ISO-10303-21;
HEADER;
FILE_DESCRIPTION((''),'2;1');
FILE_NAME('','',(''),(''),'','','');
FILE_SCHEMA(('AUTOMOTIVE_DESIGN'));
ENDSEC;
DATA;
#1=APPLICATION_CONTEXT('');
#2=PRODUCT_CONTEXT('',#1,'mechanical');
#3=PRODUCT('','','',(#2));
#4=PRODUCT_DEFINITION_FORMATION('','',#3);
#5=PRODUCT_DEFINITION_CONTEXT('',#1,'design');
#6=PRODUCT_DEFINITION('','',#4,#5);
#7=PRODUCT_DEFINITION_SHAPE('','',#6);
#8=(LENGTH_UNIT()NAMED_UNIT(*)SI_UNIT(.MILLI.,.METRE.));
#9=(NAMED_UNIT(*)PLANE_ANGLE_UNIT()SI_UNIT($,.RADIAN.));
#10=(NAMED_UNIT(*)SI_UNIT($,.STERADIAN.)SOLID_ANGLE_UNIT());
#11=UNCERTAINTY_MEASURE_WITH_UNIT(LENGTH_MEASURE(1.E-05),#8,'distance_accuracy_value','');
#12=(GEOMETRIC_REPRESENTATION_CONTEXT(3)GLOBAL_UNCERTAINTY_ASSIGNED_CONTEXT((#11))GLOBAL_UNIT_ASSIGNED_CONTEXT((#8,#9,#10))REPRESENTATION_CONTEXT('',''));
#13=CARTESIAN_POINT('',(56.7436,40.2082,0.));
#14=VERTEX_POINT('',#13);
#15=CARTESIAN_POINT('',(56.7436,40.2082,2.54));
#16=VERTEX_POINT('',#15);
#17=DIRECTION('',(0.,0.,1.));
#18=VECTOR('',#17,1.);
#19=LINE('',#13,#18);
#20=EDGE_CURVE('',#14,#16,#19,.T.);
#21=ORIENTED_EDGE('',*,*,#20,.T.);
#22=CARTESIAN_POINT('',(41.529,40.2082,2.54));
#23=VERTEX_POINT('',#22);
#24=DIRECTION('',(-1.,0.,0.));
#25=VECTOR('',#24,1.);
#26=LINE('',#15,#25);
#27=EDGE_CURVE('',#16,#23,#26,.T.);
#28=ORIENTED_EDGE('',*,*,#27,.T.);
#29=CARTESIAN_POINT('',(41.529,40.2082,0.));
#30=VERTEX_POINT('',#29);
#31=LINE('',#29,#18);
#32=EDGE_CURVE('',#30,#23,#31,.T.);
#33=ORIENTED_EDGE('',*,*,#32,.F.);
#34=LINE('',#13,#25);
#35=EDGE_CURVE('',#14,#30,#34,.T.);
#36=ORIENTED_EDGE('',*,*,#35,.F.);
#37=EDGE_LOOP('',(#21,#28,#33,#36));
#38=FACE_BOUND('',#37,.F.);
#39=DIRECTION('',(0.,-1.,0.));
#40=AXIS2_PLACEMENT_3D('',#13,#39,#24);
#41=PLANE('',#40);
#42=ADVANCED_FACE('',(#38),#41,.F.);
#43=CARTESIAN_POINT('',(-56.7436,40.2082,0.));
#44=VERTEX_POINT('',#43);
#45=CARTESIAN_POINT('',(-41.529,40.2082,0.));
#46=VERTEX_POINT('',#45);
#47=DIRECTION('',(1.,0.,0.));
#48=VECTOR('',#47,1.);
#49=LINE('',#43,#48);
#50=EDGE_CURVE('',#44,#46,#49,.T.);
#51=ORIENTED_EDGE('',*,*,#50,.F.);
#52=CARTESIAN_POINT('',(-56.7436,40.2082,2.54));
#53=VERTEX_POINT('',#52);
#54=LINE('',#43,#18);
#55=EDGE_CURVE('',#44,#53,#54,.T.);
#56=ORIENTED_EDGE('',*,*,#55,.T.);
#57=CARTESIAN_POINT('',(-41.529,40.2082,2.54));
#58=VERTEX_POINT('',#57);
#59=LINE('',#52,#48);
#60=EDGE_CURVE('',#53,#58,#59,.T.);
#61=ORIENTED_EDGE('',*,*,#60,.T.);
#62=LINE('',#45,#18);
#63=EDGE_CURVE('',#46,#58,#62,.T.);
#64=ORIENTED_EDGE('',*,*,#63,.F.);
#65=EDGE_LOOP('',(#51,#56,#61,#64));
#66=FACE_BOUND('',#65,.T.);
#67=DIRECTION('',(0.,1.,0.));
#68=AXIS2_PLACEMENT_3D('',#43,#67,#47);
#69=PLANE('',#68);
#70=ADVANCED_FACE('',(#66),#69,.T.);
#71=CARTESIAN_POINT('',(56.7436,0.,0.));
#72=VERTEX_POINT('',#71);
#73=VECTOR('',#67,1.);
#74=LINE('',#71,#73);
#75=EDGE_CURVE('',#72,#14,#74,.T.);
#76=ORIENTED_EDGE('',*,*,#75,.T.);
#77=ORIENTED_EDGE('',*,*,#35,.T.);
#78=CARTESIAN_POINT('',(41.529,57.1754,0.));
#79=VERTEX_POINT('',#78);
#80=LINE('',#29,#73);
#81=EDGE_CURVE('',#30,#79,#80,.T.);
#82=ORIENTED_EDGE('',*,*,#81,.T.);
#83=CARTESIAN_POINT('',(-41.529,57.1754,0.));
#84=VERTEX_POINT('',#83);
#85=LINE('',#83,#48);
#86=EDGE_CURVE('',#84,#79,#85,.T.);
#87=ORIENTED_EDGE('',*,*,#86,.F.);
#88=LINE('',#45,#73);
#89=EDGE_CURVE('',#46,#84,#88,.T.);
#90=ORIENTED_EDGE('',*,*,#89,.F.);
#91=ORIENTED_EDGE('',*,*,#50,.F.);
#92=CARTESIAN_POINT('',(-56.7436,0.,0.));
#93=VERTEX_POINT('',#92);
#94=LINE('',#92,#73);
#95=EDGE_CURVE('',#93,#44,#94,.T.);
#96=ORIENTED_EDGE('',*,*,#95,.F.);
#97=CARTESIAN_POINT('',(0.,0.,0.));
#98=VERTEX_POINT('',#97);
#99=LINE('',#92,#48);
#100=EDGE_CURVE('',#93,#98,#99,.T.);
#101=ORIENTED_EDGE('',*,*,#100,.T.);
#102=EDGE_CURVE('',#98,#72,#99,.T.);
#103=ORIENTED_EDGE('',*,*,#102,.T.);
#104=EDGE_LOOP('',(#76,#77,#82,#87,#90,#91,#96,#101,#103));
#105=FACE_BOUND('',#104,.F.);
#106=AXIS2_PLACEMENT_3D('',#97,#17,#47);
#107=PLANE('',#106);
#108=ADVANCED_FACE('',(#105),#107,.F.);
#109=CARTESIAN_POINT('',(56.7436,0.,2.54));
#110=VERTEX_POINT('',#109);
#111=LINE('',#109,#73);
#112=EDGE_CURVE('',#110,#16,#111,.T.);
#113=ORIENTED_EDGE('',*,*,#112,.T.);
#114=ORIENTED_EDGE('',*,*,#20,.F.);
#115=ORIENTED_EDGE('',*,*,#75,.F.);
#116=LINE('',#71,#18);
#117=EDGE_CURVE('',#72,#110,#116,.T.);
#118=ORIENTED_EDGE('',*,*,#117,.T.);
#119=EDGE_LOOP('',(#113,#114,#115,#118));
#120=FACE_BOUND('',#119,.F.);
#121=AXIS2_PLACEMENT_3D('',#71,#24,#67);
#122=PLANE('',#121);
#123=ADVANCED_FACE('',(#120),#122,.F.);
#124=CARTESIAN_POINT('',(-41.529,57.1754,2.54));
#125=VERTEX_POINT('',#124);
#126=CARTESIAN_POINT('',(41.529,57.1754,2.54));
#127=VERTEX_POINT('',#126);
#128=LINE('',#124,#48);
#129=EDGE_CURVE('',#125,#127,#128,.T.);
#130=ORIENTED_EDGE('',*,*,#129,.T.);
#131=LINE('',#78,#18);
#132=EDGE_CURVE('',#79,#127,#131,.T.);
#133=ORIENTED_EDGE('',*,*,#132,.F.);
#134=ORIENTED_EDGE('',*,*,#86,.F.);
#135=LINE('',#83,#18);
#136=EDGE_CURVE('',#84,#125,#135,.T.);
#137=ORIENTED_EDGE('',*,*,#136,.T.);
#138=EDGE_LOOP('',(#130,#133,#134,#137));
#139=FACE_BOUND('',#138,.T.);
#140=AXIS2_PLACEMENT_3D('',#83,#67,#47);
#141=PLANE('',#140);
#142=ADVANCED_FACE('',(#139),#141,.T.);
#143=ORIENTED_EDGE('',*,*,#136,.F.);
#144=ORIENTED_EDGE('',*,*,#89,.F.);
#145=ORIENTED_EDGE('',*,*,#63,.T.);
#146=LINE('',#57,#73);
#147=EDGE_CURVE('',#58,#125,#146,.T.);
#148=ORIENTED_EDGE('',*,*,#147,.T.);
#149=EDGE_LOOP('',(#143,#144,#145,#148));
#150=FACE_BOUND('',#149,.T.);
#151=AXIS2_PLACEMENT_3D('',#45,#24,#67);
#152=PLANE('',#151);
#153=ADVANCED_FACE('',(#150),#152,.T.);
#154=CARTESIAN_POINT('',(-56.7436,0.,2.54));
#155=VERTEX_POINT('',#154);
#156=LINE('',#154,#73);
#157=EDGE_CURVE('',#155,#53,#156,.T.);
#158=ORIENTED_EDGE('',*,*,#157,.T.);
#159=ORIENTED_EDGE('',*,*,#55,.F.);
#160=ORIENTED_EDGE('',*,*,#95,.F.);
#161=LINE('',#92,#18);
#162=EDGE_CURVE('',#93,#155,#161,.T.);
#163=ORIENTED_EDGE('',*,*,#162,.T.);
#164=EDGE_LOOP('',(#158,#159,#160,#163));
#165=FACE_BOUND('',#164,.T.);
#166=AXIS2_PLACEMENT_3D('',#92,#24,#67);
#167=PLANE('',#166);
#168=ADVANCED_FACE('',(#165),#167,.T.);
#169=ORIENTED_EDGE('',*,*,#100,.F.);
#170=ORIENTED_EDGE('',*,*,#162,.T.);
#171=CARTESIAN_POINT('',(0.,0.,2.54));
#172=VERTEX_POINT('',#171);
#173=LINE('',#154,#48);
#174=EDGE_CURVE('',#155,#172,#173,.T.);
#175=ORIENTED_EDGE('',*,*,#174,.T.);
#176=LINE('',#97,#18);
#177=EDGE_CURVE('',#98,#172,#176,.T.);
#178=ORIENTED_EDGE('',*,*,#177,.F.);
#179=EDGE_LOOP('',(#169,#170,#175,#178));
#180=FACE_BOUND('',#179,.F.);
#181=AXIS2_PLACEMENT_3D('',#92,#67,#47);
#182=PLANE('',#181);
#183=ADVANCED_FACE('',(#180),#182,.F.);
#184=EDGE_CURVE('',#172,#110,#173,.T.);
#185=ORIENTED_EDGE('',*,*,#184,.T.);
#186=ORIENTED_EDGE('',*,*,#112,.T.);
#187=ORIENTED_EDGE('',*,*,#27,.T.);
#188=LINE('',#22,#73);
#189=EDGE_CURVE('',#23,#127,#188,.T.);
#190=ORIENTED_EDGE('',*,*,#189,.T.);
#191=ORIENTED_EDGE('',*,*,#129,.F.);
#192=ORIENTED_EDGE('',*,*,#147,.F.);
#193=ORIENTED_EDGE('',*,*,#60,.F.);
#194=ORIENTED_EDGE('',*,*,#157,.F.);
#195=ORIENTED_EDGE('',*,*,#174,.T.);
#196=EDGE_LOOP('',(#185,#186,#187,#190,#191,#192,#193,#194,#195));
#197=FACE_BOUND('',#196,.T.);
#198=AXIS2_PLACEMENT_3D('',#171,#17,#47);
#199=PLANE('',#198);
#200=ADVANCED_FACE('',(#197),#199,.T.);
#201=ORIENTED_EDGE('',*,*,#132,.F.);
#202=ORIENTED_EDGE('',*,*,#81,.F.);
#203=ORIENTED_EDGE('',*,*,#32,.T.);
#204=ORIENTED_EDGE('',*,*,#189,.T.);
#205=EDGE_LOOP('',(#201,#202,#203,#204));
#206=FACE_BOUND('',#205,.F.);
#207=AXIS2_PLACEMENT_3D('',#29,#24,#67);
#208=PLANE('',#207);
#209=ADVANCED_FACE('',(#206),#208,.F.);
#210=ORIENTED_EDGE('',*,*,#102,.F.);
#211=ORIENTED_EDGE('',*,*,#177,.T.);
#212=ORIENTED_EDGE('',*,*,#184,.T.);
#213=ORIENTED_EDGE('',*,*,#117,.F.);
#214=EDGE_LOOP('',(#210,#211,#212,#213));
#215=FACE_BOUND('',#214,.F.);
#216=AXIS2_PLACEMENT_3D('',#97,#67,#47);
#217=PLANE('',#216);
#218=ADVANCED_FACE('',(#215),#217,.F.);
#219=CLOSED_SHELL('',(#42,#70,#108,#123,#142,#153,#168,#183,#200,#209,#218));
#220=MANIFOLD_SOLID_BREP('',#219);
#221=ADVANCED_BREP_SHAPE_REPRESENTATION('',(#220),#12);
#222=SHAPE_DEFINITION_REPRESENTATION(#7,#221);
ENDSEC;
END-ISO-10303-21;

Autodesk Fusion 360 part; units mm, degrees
sketch "Sketch1" plane through (0, 0, 0) normal (0, 0, 1) x (1, 0, 0)
  line L0 (-56.7436, 0) -> (56.7436, 0)
  line L1 (-56.7436, 0) -> (-56.7436, 40.2082)
  line L2 (0, 5.08) -> (0, -5.08)
  line L3 (56.7436, 0) -> (56.7436, 40.2082)
  line L4 (-56.7436, 40.2082) -> (-41.529, 40.2082)
  line L5 (-41.529, 40.2082) -> (-41.529, 57.1754)
  line L6 (41.529, 40.2082) -> (41.529, 57.1754)
  line L7 (56.7436, 40.2082) -> (41.529, 40.2082)
  line L8 (-41.529, 57.1754) -> (41.529, 57.1754)
  dimension "d1" = 113.4872
  dimension "d3" = 40.2082
  dimension "d4" = 15.2146
  dimension "d5" = 16.9672
extrude "Extrude1" add sketch "Sketch1" along normal blind 2.54
